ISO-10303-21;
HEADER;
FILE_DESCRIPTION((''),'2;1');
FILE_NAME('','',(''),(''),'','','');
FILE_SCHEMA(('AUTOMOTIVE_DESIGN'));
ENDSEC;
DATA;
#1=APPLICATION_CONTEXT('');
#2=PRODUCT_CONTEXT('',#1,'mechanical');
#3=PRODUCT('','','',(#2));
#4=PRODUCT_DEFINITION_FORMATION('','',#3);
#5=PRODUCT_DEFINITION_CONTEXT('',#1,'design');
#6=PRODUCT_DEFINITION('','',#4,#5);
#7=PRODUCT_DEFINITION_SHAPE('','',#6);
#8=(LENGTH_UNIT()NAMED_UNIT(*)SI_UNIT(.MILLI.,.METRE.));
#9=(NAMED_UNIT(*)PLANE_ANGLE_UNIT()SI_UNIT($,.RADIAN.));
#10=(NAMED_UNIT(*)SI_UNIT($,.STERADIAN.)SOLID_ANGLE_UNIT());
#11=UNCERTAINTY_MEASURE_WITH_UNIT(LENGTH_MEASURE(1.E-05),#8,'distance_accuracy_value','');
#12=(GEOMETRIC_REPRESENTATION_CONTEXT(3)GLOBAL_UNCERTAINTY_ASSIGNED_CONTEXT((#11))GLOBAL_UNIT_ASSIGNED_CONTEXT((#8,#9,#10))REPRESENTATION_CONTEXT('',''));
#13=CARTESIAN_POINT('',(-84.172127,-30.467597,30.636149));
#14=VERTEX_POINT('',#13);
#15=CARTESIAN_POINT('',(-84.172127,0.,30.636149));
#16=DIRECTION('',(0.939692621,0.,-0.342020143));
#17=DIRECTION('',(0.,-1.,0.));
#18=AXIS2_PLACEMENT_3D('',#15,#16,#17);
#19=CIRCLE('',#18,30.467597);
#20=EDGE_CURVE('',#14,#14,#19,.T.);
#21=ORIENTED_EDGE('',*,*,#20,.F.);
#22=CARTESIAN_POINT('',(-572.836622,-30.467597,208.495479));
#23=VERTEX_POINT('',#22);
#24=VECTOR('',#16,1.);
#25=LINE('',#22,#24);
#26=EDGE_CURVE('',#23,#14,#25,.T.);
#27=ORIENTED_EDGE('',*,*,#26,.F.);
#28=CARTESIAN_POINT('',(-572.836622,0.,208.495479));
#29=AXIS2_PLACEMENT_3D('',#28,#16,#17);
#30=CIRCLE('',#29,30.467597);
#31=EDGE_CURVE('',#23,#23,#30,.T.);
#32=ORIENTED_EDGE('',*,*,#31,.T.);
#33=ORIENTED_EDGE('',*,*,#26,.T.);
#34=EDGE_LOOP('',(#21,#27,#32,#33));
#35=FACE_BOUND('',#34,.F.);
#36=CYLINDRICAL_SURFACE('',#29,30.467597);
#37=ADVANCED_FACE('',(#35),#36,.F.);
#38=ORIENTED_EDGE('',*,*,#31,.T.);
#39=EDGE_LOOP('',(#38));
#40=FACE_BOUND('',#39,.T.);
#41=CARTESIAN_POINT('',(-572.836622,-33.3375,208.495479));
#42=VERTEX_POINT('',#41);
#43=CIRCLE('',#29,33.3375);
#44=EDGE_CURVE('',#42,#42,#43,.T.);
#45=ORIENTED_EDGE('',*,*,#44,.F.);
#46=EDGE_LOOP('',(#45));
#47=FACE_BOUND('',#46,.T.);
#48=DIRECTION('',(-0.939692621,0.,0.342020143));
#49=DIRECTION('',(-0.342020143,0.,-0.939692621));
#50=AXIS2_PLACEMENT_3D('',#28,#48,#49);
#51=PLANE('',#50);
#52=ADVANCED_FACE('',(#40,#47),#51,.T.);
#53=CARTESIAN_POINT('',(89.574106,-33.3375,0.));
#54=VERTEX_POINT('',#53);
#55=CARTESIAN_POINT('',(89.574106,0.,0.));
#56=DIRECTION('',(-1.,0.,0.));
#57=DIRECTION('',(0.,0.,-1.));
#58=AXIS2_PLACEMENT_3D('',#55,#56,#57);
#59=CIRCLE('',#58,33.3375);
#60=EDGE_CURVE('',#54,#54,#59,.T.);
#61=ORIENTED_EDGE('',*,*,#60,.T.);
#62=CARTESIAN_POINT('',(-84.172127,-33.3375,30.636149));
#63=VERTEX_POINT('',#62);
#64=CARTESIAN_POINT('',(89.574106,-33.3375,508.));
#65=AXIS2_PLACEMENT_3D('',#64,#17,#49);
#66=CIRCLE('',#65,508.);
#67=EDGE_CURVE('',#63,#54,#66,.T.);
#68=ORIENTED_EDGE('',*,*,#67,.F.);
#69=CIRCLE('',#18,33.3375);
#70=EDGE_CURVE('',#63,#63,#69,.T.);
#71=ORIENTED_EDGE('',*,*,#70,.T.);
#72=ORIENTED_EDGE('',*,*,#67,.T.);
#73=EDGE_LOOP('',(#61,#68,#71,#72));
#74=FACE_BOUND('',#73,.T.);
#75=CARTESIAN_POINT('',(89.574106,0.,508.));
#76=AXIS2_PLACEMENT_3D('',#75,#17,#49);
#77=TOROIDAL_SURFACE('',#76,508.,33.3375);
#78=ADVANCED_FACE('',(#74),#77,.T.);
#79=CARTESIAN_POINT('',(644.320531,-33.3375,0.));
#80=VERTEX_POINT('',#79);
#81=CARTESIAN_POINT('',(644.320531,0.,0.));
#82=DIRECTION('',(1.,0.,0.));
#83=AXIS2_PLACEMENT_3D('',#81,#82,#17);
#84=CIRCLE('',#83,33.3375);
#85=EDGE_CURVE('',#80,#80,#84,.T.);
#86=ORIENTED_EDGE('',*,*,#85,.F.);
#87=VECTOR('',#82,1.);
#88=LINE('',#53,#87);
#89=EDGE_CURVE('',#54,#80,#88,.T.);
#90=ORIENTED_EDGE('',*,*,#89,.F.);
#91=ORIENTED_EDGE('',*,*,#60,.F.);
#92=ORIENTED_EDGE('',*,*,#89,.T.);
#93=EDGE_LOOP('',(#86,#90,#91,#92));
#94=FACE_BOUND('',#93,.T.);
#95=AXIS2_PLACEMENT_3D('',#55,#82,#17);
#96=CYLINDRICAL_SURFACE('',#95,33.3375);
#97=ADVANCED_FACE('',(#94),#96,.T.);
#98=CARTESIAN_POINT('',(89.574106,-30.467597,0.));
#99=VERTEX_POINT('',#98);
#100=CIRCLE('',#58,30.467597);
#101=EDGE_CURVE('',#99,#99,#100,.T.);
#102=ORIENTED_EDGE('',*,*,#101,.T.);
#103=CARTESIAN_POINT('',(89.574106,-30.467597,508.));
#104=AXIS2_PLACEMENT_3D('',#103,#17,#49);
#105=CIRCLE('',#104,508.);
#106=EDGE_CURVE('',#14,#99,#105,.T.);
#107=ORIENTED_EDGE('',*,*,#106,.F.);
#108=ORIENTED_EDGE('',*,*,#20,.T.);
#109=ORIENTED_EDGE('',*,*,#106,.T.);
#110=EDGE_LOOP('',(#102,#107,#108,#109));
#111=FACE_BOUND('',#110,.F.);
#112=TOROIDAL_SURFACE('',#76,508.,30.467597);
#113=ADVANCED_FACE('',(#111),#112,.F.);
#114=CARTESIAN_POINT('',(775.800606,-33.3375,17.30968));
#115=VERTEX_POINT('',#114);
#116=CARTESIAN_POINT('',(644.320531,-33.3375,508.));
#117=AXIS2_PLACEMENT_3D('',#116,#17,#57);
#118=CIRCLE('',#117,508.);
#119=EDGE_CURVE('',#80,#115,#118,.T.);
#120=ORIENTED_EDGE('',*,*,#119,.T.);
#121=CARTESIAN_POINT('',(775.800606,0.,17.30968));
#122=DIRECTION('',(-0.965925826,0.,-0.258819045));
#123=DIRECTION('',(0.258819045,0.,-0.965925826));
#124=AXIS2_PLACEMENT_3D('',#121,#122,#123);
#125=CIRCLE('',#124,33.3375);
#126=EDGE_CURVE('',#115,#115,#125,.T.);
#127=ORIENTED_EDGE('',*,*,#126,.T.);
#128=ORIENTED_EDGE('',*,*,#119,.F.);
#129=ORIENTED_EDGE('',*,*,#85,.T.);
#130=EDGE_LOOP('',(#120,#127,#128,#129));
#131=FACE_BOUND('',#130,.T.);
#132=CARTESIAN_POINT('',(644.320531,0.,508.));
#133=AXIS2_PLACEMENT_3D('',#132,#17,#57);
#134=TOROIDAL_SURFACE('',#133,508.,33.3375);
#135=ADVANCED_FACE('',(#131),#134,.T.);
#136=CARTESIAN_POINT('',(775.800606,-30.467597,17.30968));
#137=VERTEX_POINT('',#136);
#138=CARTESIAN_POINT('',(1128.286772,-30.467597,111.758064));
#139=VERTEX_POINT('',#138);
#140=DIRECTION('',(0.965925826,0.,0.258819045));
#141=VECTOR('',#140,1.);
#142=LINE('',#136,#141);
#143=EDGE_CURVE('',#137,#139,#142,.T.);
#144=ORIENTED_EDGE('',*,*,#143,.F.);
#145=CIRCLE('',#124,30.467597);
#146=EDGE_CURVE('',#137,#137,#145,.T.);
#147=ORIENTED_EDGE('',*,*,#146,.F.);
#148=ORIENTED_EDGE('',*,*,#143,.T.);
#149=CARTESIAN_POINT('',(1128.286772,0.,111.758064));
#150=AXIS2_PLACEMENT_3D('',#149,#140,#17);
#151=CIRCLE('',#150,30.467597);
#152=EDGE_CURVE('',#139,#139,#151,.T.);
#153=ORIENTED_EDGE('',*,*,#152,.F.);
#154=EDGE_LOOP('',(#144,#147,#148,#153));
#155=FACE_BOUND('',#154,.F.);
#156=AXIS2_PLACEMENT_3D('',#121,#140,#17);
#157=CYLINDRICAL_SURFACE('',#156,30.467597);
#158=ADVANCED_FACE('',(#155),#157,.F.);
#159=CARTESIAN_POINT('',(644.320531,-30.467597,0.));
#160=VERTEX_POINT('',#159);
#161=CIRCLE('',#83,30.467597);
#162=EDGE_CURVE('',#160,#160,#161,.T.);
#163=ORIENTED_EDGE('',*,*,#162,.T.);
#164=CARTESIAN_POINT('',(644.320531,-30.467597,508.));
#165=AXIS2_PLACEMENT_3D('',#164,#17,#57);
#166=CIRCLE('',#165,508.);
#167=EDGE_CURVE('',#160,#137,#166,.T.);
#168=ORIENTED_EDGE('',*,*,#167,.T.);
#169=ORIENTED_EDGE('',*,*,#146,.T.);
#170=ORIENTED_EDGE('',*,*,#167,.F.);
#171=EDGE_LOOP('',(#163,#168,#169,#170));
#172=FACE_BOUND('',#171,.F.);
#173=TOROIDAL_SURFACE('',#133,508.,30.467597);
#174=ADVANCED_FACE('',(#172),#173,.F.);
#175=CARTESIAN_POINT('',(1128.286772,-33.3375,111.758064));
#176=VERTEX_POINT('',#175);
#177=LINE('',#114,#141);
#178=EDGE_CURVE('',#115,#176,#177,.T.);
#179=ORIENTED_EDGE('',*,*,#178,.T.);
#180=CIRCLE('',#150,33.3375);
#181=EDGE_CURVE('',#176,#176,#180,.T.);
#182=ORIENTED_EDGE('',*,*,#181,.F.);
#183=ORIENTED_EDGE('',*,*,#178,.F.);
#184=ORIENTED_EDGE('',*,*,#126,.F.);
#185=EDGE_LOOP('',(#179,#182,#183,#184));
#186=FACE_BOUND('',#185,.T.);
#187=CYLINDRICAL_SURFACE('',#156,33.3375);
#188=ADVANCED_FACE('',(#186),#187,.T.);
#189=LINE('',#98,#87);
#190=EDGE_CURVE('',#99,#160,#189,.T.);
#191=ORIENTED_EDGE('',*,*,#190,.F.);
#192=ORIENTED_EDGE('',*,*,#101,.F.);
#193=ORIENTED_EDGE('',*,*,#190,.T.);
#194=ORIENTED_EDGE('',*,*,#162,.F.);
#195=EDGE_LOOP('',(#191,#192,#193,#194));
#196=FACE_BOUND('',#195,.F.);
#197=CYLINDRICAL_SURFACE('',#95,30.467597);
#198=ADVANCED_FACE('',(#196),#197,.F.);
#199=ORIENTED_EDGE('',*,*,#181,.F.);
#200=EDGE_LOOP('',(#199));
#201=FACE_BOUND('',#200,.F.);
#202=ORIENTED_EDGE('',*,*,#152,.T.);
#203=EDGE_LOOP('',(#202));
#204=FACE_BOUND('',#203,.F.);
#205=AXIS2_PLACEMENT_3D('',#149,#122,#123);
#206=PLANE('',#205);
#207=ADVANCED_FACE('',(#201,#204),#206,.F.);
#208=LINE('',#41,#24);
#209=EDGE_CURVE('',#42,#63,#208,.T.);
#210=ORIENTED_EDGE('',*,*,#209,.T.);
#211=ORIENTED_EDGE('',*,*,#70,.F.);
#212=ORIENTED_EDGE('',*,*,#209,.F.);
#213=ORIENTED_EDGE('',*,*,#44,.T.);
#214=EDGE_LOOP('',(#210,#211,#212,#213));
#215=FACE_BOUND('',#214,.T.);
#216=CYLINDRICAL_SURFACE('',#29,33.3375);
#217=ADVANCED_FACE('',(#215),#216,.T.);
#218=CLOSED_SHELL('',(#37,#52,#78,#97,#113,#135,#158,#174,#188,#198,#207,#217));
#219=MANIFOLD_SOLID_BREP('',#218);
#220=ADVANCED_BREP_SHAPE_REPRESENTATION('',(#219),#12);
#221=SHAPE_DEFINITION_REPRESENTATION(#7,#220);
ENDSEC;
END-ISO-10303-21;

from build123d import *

# Parameters (mm, degrees)
F2_R = 33.3375
F4_T = -2.86990282


with BuildPart() as f3:
    # F3: sweep along a path in F0
    with BuildLine(Plane.XZ) as f3_path:
        Line((-572.8366216311, 208.4954793713), (-84.1721266095, 30.6361486408))
        ThreePointArc((-84.1721266095, 30.6361486408), (1.3608319451, 7.7176614698), (89.5741061999, 0))
        Line((89.5741061999, 0), (644.3205312256, 0))
        ThreePointArc((644.3205312256, 0), (710.6278368734, 4.3460104221), (775.8006061377, 17.3096802452))
        Line((775.8006061377, 17.3096802452), (1128.2867717916, 111.7580636753))
    # F2 (on line) → F3 (sweep)
    with BuildSketch(Plane(origin=(-572.8366216311, 0, 208.4954793713), x_dir=(0, -1, 0), z_dir=(-0.9396926208, 0, 0.3420201433))):
        Circle(F2_R)
    sweep(path=f3_path.line)

    # F4
    f4_openings = [f3.faces().sort_by_distance(p)[0] for p in [
        (-572.836622, 0, 208.495479),
        (1128.286772, 0, 111.758064),
    ]]
    offset(amount=F4_T, openings=f4_openings)


solid = f3.part
